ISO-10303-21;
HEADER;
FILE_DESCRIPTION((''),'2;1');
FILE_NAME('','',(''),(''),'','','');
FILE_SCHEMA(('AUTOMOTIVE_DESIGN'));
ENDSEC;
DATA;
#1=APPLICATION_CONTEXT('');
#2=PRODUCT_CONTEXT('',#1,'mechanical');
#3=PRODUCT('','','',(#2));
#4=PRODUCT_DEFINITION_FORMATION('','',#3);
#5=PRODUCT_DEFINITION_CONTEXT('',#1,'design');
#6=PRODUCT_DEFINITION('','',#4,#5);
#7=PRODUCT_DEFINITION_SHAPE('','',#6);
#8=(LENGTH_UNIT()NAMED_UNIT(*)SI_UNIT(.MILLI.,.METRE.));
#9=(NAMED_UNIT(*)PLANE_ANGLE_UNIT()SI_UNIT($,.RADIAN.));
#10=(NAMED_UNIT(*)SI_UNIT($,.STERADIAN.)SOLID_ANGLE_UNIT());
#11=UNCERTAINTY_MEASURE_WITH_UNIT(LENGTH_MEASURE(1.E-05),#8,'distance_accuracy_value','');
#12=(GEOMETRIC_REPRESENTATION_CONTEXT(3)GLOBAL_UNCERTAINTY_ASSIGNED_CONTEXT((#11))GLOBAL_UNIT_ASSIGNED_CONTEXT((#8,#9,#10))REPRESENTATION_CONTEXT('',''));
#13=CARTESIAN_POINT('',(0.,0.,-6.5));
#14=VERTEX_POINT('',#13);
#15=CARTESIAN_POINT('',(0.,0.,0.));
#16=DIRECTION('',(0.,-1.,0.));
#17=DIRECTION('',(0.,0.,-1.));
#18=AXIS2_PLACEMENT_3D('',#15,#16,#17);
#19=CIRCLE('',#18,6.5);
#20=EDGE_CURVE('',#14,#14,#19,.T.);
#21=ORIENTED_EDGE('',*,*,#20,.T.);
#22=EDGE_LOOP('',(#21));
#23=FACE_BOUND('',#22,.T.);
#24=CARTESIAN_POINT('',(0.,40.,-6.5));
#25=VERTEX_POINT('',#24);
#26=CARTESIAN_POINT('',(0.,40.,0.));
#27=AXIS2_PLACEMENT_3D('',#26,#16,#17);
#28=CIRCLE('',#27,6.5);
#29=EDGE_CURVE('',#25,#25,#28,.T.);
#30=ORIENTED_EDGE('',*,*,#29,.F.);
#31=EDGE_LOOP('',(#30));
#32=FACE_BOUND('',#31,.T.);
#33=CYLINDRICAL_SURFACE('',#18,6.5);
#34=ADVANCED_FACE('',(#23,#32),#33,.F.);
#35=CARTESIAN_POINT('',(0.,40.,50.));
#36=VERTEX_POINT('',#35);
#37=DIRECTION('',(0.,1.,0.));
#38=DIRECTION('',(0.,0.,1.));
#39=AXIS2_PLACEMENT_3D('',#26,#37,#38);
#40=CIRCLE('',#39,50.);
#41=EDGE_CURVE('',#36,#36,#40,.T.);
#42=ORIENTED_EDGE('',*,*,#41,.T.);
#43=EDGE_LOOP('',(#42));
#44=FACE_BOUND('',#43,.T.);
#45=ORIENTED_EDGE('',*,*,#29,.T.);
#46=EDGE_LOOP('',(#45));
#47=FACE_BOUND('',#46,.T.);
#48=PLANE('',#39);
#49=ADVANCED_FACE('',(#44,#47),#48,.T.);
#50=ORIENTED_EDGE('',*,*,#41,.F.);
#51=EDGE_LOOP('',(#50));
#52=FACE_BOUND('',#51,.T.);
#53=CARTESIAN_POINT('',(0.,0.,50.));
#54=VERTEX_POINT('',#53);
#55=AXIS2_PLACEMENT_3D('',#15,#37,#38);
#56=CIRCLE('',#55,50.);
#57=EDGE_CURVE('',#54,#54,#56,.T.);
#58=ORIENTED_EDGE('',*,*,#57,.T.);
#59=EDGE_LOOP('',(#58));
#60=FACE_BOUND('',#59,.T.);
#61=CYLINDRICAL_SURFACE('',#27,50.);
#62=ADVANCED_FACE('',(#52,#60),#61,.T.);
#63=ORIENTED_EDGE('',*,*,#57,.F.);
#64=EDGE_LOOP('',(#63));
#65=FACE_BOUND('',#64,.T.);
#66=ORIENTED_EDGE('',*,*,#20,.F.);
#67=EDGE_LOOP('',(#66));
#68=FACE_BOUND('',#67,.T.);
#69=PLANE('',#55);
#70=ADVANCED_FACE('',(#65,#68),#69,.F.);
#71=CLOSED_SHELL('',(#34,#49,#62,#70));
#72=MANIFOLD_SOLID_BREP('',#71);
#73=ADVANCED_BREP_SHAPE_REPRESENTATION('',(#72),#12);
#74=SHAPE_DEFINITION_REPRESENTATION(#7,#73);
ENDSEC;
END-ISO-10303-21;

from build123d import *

# Parameters (mm, degrees)
SKETCH1_R                  = 50
BOSS_EXTRUDE1_DEPTH        = 40
F_13_0_13_DIAMETER_HOLE1_D = 13


with BuildPart() as part:
    # Sketch1 → Boss-Extrude1 (new body)
    with BuildSketch(Plane(origin=(0, 0, 0), x_dir=(1, 0, 0), z_dir=(0, 1, 0))):
        Circle(SKETCH1_R)
    extrude(amount=BOSS_EXTRUDE1_DEPTH)

    # Ø13.0 (13) Diameter Hole1 (through all)
    with Locations(Plane(origin=(0, 0, 0), x_dir=(-1, 0, 0), z_dir=(0, -1, 0))):
        with Locations((0, 0)):
            Hole(F_13_0_13_DIAMETER_HOLE1_D / 2)


solid = part.part
